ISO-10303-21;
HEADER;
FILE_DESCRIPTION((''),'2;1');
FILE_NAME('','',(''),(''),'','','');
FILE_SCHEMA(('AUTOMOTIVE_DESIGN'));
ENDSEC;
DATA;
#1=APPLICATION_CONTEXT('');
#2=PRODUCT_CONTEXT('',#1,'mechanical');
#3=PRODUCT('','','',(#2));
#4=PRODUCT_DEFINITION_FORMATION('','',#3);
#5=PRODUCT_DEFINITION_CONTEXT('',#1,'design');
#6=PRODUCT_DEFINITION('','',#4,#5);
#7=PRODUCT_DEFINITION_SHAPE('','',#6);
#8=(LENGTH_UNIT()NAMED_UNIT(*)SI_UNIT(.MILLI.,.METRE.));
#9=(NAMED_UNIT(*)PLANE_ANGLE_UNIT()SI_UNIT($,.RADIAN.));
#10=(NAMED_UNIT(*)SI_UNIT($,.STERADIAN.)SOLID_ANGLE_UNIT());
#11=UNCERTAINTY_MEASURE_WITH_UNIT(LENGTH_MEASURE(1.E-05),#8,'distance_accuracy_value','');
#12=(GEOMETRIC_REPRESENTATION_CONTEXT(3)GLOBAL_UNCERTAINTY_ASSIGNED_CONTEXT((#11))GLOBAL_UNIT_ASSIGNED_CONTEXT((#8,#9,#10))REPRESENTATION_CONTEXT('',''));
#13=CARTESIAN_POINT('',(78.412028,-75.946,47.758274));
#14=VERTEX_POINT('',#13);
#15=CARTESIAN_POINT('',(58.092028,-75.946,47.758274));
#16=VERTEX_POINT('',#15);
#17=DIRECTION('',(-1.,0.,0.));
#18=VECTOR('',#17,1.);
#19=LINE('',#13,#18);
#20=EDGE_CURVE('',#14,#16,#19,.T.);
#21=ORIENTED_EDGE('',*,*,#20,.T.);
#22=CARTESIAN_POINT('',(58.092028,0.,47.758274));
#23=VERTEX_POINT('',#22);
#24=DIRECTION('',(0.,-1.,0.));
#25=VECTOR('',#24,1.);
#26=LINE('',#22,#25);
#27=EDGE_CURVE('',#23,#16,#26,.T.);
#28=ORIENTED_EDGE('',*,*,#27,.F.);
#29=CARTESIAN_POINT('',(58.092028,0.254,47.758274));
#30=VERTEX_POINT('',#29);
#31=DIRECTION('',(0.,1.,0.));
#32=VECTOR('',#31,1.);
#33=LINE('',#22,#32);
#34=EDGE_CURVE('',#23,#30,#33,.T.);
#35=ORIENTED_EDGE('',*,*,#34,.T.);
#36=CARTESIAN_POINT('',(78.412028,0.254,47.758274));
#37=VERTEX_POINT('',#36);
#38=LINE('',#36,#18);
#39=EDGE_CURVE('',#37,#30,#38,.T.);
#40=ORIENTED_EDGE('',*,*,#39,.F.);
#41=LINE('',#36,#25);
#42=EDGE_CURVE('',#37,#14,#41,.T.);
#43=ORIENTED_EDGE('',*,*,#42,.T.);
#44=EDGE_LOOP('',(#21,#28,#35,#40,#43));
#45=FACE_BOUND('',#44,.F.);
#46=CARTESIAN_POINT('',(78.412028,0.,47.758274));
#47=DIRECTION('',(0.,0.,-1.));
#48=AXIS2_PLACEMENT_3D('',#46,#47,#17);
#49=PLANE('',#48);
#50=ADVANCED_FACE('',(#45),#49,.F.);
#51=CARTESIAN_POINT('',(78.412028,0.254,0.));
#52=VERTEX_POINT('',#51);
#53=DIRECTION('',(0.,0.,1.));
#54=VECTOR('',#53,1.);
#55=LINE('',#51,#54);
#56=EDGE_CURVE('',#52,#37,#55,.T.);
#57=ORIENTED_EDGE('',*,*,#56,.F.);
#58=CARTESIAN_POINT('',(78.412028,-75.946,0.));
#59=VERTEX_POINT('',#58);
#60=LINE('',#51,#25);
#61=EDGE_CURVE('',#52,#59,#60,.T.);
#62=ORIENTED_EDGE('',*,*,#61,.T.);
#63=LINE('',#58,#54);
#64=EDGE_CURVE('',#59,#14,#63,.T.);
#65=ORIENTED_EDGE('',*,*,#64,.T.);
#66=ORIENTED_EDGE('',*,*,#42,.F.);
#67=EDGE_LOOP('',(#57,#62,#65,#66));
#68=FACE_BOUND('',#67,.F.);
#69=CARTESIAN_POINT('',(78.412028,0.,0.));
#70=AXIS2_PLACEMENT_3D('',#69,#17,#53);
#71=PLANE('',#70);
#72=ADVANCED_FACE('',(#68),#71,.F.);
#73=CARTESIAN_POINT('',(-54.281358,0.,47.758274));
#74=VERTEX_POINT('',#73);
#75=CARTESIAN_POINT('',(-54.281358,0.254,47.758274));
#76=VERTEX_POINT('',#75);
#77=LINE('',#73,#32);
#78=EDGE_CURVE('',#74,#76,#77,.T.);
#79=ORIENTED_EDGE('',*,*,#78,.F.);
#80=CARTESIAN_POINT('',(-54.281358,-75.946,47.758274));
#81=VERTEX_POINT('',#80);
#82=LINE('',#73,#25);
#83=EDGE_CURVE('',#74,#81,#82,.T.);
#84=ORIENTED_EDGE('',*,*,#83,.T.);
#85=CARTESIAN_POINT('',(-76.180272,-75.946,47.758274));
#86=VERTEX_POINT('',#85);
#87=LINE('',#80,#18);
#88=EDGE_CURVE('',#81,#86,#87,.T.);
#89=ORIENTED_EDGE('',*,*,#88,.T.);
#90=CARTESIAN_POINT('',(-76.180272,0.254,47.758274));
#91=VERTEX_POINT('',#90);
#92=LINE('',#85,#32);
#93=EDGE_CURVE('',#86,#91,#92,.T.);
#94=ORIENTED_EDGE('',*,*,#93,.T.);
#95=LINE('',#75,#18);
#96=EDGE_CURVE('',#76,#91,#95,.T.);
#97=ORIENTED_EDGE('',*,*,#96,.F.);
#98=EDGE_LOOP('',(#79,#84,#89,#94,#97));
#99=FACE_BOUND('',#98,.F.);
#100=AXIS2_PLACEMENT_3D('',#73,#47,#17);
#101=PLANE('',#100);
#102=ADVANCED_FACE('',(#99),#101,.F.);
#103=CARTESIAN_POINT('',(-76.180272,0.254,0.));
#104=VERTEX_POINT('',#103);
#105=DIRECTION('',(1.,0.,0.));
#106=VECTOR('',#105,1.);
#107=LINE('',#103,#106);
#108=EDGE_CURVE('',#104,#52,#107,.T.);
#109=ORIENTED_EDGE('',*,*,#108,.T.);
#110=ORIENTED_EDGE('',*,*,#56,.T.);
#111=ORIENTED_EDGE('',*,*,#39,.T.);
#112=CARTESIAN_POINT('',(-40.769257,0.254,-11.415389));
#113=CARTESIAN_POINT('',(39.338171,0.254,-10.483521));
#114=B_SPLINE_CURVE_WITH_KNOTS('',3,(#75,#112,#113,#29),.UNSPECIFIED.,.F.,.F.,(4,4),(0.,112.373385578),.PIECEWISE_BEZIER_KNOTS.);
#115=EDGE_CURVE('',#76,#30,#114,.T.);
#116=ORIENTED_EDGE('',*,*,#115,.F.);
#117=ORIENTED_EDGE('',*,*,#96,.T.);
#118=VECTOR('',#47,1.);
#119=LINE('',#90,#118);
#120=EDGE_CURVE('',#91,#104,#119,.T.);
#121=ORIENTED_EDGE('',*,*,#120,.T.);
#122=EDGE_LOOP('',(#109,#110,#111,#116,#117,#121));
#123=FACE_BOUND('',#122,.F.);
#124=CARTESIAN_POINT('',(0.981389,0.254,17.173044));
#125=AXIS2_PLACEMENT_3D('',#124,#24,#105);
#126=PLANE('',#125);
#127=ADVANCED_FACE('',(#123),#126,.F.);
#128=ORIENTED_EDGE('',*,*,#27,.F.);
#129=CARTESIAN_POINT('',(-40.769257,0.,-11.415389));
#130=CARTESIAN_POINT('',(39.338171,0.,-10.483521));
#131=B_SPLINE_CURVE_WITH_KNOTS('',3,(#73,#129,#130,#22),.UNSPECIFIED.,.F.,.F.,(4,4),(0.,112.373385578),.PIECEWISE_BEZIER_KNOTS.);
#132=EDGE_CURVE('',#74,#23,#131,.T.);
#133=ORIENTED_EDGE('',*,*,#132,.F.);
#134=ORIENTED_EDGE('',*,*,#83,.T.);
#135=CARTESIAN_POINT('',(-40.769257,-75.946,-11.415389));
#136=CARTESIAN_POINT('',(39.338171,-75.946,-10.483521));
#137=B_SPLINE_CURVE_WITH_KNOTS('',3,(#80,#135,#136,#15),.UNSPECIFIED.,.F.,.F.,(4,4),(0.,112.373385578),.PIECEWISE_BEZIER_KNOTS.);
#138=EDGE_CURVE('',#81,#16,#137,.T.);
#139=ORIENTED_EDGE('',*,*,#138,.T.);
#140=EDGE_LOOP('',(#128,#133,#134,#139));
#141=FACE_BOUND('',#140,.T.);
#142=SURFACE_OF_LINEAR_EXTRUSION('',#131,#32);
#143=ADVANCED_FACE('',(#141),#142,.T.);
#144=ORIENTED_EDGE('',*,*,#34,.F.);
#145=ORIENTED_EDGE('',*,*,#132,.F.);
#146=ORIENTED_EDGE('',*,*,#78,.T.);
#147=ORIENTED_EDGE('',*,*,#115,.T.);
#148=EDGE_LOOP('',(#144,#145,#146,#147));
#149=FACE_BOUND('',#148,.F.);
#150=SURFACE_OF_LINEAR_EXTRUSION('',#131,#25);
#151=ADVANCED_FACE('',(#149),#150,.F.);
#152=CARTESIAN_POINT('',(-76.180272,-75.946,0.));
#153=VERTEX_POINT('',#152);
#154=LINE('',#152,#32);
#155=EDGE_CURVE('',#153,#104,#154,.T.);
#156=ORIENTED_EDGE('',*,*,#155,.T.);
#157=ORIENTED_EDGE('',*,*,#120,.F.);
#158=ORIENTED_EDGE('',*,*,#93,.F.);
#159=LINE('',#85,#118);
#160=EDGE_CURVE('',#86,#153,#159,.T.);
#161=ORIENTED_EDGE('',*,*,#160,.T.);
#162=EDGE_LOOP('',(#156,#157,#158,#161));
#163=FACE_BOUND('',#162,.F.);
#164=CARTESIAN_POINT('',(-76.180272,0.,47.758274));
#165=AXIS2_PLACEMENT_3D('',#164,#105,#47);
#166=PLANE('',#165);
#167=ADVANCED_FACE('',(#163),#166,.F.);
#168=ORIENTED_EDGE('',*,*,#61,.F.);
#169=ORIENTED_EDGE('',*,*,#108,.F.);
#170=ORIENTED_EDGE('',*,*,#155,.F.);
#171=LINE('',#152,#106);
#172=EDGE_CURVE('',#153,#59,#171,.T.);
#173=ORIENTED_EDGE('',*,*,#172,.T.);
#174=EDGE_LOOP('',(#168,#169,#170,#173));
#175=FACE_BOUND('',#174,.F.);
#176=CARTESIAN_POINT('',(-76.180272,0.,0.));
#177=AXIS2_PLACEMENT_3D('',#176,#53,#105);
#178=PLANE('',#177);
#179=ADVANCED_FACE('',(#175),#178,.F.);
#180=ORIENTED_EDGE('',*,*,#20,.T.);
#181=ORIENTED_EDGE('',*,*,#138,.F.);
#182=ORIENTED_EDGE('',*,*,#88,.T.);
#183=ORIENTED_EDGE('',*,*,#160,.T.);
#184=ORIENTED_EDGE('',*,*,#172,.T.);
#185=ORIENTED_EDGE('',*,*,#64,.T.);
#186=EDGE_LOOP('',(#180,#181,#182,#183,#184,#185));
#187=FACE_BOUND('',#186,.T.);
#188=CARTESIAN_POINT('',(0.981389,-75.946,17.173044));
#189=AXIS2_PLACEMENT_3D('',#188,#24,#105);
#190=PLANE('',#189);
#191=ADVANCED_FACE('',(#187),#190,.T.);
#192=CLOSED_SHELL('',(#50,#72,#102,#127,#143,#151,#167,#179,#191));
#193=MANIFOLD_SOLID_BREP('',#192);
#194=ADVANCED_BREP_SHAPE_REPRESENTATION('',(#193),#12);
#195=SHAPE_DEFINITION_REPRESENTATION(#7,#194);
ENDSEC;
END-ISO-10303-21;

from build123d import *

# Parameters (mm, degrees)
F1_DEPTH      = 0.254
F1_DEPTH_BACK = 75.946


with BuildPart() as f1:
    # F0 (on Front) → F1 (new body, two sides)
    with BuildSketch(Plane.XZ) as f1_sk:
        with BuildLine():
            Line((-76.1802718043, 0), (0, 0))
            Line((0, 0), (78.4120279026, 0))
            Line((78.4120279026, 0), (78.4120279026, 47.7582737803))
            Line((78.4120279026, 47.7582737803), (58.0920279026, 47.7582737803))
            add(Edge.make_bspline(
                [(-54.2813576758, 47.7582737803), (-40.7692566514, -11.4153893664), (39.3381714821, -10.4835210368), (58.0920279026, 47.7582737803)],
                knots=[0, 0, 0, 0, 112.3733855784, 112.3733855784, 112.3733855784, 112.3733855784], degree=3))
            Line((-54.2813576758, 47.7582737803), (-76.1802718043, 47.7582737803))
            Line((-76.1802718043, 47.7582737803), (-76.1802718043, 0))
        make_face()
    extrude(amount=-F1_DEPTH)
    extrude(f1_sk.sketch, amount=F1_DEPTH_BACK)


solid = f1.part
